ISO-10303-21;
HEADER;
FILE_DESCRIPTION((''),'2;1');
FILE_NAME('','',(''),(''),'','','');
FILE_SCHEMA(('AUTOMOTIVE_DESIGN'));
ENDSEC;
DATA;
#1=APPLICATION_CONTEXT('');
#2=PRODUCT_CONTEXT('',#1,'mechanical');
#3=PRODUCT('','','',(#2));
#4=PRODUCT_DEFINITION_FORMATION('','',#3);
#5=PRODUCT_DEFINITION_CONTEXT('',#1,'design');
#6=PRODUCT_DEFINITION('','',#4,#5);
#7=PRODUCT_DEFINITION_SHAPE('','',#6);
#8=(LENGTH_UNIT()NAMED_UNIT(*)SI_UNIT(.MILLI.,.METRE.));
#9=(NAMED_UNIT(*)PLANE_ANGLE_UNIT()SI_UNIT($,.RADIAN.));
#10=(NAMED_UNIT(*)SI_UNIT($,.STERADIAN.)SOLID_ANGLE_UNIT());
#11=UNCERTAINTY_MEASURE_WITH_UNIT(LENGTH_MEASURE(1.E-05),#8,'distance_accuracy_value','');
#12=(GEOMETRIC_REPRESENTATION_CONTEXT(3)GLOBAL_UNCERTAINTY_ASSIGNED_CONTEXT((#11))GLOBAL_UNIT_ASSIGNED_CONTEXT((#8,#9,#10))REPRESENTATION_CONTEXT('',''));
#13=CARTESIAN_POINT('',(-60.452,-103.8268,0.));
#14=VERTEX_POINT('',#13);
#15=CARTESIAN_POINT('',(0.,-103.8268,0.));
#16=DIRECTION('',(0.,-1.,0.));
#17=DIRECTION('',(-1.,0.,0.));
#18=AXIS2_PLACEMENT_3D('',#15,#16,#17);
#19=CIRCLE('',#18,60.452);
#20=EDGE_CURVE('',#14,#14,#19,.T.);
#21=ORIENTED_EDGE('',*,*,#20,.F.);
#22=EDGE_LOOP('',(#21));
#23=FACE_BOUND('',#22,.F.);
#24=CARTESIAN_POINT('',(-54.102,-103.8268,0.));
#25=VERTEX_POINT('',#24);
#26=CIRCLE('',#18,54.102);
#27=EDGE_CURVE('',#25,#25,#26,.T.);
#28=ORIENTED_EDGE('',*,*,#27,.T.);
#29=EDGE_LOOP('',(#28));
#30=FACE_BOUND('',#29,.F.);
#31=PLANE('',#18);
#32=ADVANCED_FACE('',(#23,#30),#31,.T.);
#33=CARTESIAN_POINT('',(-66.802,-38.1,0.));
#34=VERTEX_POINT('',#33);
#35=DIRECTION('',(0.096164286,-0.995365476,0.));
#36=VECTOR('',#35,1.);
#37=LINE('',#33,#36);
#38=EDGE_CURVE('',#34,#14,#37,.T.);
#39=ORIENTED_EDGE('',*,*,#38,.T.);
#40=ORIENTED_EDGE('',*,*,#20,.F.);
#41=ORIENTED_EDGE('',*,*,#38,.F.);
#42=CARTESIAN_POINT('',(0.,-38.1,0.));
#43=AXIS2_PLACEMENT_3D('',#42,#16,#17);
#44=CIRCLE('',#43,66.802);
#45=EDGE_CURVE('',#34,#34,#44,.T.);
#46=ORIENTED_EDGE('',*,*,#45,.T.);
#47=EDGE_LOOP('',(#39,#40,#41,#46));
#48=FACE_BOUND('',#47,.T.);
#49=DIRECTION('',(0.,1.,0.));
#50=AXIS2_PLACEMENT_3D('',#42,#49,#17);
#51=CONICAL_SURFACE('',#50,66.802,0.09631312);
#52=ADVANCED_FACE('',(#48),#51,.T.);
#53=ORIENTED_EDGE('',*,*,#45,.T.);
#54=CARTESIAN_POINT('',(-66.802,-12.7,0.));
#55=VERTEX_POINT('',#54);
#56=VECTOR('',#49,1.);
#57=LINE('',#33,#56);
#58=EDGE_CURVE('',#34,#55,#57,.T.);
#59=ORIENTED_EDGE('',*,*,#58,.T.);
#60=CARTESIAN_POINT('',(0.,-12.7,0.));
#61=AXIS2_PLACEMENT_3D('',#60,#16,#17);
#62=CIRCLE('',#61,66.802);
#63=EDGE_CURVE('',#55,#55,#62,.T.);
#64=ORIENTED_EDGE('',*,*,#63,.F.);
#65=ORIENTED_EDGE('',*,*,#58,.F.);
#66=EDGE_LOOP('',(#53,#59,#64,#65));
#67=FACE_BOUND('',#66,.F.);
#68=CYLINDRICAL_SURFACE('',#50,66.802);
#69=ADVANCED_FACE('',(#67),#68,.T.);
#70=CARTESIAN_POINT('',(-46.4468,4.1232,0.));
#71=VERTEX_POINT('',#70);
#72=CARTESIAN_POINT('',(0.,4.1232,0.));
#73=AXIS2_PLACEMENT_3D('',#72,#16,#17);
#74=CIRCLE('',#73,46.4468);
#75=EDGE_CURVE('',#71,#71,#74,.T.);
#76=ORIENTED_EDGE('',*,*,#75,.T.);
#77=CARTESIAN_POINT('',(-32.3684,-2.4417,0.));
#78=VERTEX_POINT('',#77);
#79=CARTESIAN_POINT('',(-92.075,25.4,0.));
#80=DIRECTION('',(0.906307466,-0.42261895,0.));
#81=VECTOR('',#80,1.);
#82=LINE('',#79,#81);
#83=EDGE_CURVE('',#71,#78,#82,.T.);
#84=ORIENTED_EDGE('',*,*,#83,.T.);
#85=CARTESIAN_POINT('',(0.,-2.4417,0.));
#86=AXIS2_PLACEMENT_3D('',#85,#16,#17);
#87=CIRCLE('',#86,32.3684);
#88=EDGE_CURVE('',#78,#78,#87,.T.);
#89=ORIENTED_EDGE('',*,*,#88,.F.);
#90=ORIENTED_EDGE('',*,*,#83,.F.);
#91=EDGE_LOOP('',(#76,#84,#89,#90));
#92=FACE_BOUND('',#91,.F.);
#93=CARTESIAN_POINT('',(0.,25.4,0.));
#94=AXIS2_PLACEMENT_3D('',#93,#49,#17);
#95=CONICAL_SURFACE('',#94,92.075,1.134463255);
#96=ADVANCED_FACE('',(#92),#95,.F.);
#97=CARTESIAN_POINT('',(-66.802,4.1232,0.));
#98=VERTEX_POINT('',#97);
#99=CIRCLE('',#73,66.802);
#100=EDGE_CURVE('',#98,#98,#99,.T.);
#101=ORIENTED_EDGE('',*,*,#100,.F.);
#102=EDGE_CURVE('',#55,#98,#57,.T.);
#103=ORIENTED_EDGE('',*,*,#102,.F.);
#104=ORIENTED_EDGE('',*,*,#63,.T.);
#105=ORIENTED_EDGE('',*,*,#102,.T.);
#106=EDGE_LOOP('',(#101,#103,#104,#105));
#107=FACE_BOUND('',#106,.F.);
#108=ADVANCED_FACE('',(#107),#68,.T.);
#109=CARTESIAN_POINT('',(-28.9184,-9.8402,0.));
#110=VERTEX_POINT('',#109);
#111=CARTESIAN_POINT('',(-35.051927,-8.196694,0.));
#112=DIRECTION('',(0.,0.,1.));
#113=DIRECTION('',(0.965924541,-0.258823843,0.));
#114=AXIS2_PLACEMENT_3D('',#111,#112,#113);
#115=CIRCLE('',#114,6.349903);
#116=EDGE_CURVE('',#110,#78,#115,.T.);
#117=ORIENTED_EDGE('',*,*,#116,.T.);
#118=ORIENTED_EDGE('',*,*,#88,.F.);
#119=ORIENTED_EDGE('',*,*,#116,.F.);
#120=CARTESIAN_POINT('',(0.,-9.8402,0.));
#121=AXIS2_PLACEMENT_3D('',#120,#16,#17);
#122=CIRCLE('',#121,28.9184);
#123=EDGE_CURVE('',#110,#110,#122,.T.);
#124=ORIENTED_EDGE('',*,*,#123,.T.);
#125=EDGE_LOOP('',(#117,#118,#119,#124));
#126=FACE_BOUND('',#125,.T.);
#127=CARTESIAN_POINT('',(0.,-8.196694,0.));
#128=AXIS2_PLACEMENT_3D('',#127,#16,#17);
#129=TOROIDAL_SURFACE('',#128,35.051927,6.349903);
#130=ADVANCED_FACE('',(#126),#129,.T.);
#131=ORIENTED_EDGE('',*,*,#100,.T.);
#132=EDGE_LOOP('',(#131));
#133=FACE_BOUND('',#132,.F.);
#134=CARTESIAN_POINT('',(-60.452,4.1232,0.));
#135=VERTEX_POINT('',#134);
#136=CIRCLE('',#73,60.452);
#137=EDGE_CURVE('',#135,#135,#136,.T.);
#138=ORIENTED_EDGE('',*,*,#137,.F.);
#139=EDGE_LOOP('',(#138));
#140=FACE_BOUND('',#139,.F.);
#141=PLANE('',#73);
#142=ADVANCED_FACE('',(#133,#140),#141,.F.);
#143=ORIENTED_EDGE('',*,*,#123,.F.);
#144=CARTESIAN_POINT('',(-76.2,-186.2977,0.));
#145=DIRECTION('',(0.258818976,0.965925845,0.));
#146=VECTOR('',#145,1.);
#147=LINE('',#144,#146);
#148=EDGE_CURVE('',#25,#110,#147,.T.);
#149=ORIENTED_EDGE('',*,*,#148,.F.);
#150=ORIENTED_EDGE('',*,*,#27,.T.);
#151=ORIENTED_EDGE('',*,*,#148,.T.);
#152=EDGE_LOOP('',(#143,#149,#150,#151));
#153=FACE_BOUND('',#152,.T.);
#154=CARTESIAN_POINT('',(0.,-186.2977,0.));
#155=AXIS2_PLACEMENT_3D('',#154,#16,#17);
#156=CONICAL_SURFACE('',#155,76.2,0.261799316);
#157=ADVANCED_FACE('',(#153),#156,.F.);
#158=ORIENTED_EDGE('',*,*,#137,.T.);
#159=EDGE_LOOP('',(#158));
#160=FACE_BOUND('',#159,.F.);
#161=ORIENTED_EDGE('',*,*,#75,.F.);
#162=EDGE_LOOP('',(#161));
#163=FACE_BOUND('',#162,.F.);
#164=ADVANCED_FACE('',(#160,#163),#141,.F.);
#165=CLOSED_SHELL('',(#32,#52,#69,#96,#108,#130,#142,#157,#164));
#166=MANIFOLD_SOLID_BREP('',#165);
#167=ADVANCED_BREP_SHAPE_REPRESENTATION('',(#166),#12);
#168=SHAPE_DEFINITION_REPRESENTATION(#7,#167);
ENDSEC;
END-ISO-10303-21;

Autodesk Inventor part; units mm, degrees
ref_plane "YZ Plane" through (0, 0, 0) normal (1, 0, 0) x (0, 1, 0)
ref_plane "XZ Plane" through (0, 0, 0) normal (0, 1, 0) x (-1, 0, 0)
ref_plane "XY Plane" through (0, 0, 0) normal (0, 0, 1) x (1, 0, 0)
sketch "Sketch1" plane through (0, 0, 0) normal (0, 0, 1) x (1, 0, 0)
  line L0 (0, 25.4) -> (-28.702, 25.4) construction
  line L1 (0, 25.4) -> (-95.25, 25.4) construction
  line L2 (-95.25, 25.4) -> (-92.075, 25.4) construction
  line L3 (-92.075, 25.4) -> (-84.455, 21.8467) construction
  line L4 (-92.075, 25.4) -> (-92.075, 22.4389) construction
  line L5 (-92.075, 0) -> (-95.25, 0)
  line L6 (-28.702, 59.0535) -> (-28.702, -92.5226) construction
  arc A0 (-28.9184, -9.8402) -> (-32.3684, -2.4417) centre (-35.052, -8.1967) ccw
  line L7 (-76.2, -186.2977) -> (-28.702, -9.0327)
  line L8 (-92.075, 25.4) -> (-92.075, 0)
  line L9 (-92.075, 25.4) -> (-32.3684, -2.4417)
  line L10 (-28.702, -8.1967) -> (-60.452, -8.1967) construction
  line L11 (-60.452, -127.5253) -> (-54.102, -127.5253) construction
  line L12 (-54.102, -127.5253) -> (-54.102, -103.8268) construction
  line L13 (-54.102, -103.8268) -> (-60.452, -103.8268)
  line L14 (-60.452, 10.654) -> (-60.452, 1.129) construction
  line L15 (-60.452, 10.654) -> (-60.452, 4.1232) construction
  line L16 (-60.452, 4.1232) -> (-46.4468, 4.1232)
  line L17 (-95.25, 0) -> (-95.25, -12.7) construction
  line L18 (-60.452, -12.7) -> (-73.152, -12.7) construction
  line L19 (-95.25, -12.7) -> (-95.25, -25.4) construction
  line L20 (-95.25, -25.4) -> (-95.25, -88.9) construction
  line L21 (-95.25, -88.9) -> (-82.55, -88.9) construction
  line L22 (-82.55, -88.9) -> (-82.55, -25.4) construction
  line L23 (-95.25, -25.4) -> (-82.55, -25.4)
  line L24 (-82.55, -25.4) -> (-82.55, -88.9)
  line L25 (-82.55, -88.9) -> (-95.25, -88.9)
  line L26 (-95.25, -12.7) -> (-73.152, -12.7)
  line L27 (-73.152, -139.3746) -> (-63.627, -139.3746)
  line L28 (-82.55, -88.9) -> (-82.55, -186.2977)
  line L29 (-82.55, -186.2977) -> (-76.2, -186.2977)
  line L30 (-73.152, -12.7) -> (-73.152, -139.3746)
  line L31 (-88.9, -25.4) -> (-88.9, -31.3436)
  line L32 (-88.9, -31.3436) -> (-95.25, -31.3436)
  line L33 (-95.25, 0) -> (-95.25, -25.4)
  line L34 (-95.25, -31.3436) -> (-95.25, -88.9)
  line L35 (-88.9, -160.8977) -> (-88.9, -221.8454)
  line L36 (-28.9184, -9.8402) -> (-85.725, -221.8454)
  line L37 (-85.725, -221.8454) -> (-88.9, -221.8454)
  line L38 (-82.55, -160.8977) -> (-88.9, -160.8977)
  line L39 (-66.802, -38.1) -> (-66.802, 4.1232)
  line L40 (-66.802, 4.1232) -> (-60.452, 4.1232)
  line L41 (-66.802, -38.1) -> (-60.452, -103.8268)
  line L42 (-60.452, 10.654) -> (-60.452, 4.1232) construction
  line L43 (-60.452, -8.1967) -> (-60.452, -12.7) construction
  line L44 (-60.452, -103.8268) -> (-60.452, -127.5253) construction
  line L45 (0, 59.6457) -> (0, -91.9304) construction
  line L46 (-73.152, -38.1) -> (-69.977, -38.1)
  line L47 (-69.977, -38.1) -> (-69.977, -12.7)
  line L48 (-66.802, -12.7) -> (-69.977, -12.7)
  point P0 (0, 0)
  point P1 (-95.25, -256.5049)
  point P2 (-88.7095, 22.4389)
  dimension "d0" = 28.702
  dimension "d1" = 95.25
  dimension "d2" = 3.175
  dimension "d3" = 25
  dimension "d5" = 25.4
  dimension "d6" = 25.4
  dimension "d8" = 12.7
  dimension "d12" = 31.75
  dimension "d13" = 6.35
  dimension "d16" = 12.7
  dimension "d17" = 12.7
  dimension "d18" = 12.7
  dimension "d19" = 63.5
  dimension "d20" = 12.7
  dimension "d22" = 9.525
  dimension "d23" = 6.35
  dimension "d25" = 5.9436
  dimension "d27" = 3.175
  dimension "d28" = 6.35
  dimension "d29" = 25.4
  dimension "d30" = 107.95
  dimension "d31" = 6.35
  dimension "d33" = 20.3552
  dimension "d34" = 15
  dimension "d35" = 3.175
  dimension "d36" = 25.4
revolve "Revolution1" add sketch "Sketch1" angle 360 about axis through (0, 59.6457, 0) along (0, -1, 0) contours L9 A0 L7 L13 L41 L39 L40 L16
properties part number "graphite" material "GFRC"
